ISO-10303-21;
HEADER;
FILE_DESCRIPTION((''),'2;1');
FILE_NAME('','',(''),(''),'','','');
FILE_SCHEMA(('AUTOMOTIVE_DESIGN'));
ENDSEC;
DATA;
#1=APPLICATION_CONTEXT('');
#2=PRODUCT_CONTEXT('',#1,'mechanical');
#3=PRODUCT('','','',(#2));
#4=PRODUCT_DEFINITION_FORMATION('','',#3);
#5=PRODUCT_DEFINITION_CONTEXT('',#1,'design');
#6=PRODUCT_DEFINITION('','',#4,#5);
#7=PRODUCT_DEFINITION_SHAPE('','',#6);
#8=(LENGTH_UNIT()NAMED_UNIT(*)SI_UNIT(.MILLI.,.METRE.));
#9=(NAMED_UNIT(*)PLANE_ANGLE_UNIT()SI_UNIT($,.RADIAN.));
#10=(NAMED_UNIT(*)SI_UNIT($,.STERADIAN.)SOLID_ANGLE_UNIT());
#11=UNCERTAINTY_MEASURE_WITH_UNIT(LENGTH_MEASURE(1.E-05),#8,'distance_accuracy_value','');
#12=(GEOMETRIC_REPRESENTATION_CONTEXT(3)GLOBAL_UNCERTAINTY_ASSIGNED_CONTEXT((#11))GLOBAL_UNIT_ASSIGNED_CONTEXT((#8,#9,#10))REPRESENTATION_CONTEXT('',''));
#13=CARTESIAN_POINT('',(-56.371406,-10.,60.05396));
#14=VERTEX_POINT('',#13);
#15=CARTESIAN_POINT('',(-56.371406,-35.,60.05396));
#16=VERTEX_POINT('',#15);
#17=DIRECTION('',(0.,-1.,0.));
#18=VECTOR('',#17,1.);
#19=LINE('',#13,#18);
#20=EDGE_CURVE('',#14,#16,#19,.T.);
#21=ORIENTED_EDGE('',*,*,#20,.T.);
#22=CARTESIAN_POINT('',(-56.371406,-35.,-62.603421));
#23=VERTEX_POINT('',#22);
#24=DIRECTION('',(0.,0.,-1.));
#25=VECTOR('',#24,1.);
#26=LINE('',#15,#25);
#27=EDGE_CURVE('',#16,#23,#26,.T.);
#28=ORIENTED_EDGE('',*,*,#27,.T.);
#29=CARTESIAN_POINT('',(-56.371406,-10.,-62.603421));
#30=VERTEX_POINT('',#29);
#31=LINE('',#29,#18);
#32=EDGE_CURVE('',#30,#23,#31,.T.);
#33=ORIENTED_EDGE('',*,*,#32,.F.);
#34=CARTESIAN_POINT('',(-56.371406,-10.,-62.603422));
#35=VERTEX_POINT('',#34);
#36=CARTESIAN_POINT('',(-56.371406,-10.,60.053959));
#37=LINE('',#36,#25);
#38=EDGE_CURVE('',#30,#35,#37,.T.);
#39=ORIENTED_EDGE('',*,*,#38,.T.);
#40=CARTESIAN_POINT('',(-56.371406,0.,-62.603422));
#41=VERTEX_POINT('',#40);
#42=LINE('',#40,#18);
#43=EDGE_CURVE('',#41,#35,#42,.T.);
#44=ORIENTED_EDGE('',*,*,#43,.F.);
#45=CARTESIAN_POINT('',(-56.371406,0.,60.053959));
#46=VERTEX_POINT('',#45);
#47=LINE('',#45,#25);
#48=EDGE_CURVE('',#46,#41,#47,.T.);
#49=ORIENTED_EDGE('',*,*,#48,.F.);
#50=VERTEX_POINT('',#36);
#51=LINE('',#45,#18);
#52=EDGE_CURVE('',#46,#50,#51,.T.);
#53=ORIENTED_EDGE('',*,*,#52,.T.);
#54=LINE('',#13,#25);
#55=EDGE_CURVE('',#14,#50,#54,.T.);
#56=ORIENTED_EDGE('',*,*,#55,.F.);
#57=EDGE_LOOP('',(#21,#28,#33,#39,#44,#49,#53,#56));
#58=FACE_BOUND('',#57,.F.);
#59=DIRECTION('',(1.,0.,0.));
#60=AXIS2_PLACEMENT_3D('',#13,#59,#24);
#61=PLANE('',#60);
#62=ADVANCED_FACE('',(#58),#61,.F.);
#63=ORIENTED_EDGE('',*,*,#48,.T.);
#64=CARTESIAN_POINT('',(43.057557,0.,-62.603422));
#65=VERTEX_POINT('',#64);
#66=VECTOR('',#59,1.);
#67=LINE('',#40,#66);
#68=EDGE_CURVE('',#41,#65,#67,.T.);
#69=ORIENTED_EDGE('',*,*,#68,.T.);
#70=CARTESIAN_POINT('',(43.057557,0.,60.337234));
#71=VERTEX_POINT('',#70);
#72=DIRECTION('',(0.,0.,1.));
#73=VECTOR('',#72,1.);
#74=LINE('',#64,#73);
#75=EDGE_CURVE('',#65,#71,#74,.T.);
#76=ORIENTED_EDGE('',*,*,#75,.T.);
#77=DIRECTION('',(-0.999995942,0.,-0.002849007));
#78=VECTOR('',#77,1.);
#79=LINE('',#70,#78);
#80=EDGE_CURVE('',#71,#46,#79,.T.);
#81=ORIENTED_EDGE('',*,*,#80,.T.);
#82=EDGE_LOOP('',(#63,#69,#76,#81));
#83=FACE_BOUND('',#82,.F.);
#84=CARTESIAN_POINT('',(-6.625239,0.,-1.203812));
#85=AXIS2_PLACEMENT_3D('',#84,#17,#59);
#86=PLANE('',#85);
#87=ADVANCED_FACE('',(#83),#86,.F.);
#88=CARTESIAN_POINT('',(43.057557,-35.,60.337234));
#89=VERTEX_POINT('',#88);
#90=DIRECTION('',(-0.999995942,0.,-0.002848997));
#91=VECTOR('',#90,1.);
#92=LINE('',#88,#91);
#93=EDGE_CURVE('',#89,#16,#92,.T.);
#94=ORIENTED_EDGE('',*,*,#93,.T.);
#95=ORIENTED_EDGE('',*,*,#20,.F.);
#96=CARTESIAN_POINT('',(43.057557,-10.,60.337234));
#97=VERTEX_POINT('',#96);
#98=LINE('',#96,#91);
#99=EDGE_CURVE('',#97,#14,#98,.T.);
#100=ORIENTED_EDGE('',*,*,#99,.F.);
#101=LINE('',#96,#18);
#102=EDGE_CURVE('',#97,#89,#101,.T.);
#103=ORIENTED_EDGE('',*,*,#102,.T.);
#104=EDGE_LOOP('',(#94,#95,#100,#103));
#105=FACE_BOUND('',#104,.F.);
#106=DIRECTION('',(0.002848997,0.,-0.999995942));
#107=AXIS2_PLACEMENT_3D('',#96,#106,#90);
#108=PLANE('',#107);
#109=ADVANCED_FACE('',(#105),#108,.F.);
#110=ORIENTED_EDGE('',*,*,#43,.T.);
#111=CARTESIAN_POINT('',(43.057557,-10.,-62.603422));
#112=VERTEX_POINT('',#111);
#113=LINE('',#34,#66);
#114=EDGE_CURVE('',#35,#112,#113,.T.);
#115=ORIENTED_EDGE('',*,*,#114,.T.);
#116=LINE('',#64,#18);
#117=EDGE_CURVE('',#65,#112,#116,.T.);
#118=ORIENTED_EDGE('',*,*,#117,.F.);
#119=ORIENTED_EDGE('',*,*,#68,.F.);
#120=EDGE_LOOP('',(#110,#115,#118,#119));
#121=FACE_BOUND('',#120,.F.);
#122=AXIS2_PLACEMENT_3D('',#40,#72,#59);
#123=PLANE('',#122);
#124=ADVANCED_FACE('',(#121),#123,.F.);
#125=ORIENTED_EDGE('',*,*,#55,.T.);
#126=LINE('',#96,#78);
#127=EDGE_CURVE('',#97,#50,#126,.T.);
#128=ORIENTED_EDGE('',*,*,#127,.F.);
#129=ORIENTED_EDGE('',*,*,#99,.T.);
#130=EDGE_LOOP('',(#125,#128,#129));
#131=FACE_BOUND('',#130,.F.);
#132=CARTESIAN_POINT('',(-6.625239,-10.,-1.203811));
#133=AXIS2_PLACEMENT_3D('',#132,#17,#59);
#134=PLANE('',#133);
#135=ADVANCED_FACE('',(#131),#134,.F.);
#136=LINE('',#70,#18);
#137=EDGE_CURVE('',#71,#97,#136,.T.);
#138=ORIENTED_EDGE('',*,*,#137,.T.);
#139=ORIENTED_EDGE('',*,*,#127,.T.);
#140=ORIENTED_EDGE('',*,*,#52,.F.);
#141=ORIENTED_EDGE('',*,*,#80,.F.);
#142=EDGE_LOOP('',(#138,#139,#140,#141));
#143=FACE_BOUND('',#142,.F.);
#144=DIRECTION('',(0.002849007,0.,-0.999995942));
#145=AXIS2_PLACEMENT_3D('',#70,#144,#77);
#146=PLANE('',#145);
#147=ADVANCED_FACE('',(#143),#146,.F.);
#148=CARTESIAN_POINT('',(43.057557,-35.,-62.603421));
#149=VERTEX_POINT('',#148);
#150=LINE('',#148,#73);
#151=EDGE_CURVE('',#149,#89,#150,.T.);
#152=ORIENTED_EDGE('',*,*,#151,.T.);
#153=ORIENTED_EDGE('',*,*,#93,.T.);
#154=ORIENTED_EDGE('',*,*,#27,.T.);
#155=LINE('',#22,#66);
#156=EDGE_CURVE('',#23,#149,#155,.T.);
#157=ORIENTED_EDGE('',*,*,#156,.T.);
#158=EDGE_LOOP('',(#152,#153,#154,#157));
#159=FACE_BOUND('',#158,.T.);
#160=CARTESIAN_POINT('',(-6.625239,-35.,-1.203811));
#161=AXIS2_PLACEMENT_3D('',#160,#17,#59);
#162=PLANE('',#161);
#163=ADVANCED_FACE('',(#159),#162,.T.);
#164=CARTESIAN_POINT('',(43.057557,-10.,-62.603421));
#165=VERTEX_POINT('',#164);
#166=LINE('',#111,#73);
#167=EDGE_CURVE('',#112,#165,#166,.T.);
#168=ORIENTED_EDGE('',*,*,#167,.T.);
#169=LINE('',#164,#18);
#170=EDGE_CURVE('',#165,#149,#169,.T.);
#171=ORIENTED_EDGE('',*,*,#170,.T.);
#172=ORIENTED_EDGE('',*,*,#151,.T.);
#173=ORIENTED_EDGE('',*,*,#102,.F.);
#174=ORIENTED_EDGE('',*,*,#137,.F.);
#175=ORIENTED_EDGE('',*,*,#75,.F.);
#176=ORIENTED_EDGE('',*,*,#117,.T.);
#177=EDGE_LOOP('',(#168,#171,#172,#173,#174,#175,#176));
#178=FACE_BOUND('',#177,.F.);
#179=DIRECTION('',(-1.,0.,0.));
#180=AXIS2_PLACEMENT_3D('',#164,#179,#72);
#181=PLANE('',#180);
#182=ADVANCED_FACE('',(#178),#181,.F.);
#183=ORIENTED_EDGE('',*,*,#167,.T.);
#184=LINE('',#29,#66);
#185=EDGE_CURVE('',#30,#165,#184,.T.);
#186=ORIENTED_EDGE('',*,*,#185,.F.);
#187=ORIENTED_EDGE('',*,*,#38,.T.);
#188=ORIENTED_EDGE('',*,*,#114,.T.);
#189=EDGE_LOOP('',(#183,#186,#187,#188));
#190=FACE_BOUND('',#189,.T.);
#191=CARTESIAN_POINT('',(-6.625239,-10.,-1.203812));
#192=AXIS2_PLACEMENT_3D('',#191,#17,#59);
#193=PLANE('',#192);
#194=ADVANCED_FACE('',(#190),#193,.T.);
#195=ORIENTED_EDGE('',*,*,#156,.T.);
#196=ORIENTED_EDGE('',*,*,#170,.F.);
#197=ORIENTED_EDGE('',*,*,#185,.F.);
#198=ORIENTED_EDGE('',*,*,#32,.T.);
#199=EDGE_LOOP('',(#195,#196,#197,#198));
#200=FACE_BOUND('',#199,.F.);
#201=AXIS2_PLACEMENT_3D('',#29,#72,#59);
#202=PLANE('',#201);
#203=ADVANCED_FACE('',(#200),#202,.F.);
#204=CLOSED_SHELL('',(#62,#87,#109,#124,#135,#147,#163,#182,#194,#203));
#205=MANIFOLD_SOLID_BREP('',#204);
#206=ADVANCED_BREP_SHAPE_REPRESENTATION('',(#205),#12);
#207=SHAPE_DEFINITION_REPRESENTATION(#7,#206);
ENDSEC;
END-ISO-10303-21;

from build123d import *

# Parameters (mm, degrees)
F1_DEPTH = 10
F3_DEPTH = 25


with BuildPart() as f1:
    # F0 (on Front) → F1 (new body)
    with BuildSketch(Plane.XZ):
        Polygon((43.057557, 60.337234), (-56.371406, 60.053959), (-56.371406, -62.603422), (43.057557, -62.603422), align=None)
    extrude(amount=F1_DEPTH)

    # F1_face (on face) → F3 (join)
    with BuildSketch(Plane(origin=(-6.637811, -10, -1.203885), x_dir=(1, 0, 0), z_dir=(0, -1, 0))):
        Polygon((49.695368, 61.541119), (-49.733595, 61.257845), (-49.733595, -61.399536), (49.695368, -61.399536), align=None)
        Polygon((-49.733595, 61.257845), (49.695368, 61.541119), (49.695368, -61.399536), (-49.733595, -61.399536), align=None)
    extrude(amount=F3_DEPTH)


solid = f1.part
